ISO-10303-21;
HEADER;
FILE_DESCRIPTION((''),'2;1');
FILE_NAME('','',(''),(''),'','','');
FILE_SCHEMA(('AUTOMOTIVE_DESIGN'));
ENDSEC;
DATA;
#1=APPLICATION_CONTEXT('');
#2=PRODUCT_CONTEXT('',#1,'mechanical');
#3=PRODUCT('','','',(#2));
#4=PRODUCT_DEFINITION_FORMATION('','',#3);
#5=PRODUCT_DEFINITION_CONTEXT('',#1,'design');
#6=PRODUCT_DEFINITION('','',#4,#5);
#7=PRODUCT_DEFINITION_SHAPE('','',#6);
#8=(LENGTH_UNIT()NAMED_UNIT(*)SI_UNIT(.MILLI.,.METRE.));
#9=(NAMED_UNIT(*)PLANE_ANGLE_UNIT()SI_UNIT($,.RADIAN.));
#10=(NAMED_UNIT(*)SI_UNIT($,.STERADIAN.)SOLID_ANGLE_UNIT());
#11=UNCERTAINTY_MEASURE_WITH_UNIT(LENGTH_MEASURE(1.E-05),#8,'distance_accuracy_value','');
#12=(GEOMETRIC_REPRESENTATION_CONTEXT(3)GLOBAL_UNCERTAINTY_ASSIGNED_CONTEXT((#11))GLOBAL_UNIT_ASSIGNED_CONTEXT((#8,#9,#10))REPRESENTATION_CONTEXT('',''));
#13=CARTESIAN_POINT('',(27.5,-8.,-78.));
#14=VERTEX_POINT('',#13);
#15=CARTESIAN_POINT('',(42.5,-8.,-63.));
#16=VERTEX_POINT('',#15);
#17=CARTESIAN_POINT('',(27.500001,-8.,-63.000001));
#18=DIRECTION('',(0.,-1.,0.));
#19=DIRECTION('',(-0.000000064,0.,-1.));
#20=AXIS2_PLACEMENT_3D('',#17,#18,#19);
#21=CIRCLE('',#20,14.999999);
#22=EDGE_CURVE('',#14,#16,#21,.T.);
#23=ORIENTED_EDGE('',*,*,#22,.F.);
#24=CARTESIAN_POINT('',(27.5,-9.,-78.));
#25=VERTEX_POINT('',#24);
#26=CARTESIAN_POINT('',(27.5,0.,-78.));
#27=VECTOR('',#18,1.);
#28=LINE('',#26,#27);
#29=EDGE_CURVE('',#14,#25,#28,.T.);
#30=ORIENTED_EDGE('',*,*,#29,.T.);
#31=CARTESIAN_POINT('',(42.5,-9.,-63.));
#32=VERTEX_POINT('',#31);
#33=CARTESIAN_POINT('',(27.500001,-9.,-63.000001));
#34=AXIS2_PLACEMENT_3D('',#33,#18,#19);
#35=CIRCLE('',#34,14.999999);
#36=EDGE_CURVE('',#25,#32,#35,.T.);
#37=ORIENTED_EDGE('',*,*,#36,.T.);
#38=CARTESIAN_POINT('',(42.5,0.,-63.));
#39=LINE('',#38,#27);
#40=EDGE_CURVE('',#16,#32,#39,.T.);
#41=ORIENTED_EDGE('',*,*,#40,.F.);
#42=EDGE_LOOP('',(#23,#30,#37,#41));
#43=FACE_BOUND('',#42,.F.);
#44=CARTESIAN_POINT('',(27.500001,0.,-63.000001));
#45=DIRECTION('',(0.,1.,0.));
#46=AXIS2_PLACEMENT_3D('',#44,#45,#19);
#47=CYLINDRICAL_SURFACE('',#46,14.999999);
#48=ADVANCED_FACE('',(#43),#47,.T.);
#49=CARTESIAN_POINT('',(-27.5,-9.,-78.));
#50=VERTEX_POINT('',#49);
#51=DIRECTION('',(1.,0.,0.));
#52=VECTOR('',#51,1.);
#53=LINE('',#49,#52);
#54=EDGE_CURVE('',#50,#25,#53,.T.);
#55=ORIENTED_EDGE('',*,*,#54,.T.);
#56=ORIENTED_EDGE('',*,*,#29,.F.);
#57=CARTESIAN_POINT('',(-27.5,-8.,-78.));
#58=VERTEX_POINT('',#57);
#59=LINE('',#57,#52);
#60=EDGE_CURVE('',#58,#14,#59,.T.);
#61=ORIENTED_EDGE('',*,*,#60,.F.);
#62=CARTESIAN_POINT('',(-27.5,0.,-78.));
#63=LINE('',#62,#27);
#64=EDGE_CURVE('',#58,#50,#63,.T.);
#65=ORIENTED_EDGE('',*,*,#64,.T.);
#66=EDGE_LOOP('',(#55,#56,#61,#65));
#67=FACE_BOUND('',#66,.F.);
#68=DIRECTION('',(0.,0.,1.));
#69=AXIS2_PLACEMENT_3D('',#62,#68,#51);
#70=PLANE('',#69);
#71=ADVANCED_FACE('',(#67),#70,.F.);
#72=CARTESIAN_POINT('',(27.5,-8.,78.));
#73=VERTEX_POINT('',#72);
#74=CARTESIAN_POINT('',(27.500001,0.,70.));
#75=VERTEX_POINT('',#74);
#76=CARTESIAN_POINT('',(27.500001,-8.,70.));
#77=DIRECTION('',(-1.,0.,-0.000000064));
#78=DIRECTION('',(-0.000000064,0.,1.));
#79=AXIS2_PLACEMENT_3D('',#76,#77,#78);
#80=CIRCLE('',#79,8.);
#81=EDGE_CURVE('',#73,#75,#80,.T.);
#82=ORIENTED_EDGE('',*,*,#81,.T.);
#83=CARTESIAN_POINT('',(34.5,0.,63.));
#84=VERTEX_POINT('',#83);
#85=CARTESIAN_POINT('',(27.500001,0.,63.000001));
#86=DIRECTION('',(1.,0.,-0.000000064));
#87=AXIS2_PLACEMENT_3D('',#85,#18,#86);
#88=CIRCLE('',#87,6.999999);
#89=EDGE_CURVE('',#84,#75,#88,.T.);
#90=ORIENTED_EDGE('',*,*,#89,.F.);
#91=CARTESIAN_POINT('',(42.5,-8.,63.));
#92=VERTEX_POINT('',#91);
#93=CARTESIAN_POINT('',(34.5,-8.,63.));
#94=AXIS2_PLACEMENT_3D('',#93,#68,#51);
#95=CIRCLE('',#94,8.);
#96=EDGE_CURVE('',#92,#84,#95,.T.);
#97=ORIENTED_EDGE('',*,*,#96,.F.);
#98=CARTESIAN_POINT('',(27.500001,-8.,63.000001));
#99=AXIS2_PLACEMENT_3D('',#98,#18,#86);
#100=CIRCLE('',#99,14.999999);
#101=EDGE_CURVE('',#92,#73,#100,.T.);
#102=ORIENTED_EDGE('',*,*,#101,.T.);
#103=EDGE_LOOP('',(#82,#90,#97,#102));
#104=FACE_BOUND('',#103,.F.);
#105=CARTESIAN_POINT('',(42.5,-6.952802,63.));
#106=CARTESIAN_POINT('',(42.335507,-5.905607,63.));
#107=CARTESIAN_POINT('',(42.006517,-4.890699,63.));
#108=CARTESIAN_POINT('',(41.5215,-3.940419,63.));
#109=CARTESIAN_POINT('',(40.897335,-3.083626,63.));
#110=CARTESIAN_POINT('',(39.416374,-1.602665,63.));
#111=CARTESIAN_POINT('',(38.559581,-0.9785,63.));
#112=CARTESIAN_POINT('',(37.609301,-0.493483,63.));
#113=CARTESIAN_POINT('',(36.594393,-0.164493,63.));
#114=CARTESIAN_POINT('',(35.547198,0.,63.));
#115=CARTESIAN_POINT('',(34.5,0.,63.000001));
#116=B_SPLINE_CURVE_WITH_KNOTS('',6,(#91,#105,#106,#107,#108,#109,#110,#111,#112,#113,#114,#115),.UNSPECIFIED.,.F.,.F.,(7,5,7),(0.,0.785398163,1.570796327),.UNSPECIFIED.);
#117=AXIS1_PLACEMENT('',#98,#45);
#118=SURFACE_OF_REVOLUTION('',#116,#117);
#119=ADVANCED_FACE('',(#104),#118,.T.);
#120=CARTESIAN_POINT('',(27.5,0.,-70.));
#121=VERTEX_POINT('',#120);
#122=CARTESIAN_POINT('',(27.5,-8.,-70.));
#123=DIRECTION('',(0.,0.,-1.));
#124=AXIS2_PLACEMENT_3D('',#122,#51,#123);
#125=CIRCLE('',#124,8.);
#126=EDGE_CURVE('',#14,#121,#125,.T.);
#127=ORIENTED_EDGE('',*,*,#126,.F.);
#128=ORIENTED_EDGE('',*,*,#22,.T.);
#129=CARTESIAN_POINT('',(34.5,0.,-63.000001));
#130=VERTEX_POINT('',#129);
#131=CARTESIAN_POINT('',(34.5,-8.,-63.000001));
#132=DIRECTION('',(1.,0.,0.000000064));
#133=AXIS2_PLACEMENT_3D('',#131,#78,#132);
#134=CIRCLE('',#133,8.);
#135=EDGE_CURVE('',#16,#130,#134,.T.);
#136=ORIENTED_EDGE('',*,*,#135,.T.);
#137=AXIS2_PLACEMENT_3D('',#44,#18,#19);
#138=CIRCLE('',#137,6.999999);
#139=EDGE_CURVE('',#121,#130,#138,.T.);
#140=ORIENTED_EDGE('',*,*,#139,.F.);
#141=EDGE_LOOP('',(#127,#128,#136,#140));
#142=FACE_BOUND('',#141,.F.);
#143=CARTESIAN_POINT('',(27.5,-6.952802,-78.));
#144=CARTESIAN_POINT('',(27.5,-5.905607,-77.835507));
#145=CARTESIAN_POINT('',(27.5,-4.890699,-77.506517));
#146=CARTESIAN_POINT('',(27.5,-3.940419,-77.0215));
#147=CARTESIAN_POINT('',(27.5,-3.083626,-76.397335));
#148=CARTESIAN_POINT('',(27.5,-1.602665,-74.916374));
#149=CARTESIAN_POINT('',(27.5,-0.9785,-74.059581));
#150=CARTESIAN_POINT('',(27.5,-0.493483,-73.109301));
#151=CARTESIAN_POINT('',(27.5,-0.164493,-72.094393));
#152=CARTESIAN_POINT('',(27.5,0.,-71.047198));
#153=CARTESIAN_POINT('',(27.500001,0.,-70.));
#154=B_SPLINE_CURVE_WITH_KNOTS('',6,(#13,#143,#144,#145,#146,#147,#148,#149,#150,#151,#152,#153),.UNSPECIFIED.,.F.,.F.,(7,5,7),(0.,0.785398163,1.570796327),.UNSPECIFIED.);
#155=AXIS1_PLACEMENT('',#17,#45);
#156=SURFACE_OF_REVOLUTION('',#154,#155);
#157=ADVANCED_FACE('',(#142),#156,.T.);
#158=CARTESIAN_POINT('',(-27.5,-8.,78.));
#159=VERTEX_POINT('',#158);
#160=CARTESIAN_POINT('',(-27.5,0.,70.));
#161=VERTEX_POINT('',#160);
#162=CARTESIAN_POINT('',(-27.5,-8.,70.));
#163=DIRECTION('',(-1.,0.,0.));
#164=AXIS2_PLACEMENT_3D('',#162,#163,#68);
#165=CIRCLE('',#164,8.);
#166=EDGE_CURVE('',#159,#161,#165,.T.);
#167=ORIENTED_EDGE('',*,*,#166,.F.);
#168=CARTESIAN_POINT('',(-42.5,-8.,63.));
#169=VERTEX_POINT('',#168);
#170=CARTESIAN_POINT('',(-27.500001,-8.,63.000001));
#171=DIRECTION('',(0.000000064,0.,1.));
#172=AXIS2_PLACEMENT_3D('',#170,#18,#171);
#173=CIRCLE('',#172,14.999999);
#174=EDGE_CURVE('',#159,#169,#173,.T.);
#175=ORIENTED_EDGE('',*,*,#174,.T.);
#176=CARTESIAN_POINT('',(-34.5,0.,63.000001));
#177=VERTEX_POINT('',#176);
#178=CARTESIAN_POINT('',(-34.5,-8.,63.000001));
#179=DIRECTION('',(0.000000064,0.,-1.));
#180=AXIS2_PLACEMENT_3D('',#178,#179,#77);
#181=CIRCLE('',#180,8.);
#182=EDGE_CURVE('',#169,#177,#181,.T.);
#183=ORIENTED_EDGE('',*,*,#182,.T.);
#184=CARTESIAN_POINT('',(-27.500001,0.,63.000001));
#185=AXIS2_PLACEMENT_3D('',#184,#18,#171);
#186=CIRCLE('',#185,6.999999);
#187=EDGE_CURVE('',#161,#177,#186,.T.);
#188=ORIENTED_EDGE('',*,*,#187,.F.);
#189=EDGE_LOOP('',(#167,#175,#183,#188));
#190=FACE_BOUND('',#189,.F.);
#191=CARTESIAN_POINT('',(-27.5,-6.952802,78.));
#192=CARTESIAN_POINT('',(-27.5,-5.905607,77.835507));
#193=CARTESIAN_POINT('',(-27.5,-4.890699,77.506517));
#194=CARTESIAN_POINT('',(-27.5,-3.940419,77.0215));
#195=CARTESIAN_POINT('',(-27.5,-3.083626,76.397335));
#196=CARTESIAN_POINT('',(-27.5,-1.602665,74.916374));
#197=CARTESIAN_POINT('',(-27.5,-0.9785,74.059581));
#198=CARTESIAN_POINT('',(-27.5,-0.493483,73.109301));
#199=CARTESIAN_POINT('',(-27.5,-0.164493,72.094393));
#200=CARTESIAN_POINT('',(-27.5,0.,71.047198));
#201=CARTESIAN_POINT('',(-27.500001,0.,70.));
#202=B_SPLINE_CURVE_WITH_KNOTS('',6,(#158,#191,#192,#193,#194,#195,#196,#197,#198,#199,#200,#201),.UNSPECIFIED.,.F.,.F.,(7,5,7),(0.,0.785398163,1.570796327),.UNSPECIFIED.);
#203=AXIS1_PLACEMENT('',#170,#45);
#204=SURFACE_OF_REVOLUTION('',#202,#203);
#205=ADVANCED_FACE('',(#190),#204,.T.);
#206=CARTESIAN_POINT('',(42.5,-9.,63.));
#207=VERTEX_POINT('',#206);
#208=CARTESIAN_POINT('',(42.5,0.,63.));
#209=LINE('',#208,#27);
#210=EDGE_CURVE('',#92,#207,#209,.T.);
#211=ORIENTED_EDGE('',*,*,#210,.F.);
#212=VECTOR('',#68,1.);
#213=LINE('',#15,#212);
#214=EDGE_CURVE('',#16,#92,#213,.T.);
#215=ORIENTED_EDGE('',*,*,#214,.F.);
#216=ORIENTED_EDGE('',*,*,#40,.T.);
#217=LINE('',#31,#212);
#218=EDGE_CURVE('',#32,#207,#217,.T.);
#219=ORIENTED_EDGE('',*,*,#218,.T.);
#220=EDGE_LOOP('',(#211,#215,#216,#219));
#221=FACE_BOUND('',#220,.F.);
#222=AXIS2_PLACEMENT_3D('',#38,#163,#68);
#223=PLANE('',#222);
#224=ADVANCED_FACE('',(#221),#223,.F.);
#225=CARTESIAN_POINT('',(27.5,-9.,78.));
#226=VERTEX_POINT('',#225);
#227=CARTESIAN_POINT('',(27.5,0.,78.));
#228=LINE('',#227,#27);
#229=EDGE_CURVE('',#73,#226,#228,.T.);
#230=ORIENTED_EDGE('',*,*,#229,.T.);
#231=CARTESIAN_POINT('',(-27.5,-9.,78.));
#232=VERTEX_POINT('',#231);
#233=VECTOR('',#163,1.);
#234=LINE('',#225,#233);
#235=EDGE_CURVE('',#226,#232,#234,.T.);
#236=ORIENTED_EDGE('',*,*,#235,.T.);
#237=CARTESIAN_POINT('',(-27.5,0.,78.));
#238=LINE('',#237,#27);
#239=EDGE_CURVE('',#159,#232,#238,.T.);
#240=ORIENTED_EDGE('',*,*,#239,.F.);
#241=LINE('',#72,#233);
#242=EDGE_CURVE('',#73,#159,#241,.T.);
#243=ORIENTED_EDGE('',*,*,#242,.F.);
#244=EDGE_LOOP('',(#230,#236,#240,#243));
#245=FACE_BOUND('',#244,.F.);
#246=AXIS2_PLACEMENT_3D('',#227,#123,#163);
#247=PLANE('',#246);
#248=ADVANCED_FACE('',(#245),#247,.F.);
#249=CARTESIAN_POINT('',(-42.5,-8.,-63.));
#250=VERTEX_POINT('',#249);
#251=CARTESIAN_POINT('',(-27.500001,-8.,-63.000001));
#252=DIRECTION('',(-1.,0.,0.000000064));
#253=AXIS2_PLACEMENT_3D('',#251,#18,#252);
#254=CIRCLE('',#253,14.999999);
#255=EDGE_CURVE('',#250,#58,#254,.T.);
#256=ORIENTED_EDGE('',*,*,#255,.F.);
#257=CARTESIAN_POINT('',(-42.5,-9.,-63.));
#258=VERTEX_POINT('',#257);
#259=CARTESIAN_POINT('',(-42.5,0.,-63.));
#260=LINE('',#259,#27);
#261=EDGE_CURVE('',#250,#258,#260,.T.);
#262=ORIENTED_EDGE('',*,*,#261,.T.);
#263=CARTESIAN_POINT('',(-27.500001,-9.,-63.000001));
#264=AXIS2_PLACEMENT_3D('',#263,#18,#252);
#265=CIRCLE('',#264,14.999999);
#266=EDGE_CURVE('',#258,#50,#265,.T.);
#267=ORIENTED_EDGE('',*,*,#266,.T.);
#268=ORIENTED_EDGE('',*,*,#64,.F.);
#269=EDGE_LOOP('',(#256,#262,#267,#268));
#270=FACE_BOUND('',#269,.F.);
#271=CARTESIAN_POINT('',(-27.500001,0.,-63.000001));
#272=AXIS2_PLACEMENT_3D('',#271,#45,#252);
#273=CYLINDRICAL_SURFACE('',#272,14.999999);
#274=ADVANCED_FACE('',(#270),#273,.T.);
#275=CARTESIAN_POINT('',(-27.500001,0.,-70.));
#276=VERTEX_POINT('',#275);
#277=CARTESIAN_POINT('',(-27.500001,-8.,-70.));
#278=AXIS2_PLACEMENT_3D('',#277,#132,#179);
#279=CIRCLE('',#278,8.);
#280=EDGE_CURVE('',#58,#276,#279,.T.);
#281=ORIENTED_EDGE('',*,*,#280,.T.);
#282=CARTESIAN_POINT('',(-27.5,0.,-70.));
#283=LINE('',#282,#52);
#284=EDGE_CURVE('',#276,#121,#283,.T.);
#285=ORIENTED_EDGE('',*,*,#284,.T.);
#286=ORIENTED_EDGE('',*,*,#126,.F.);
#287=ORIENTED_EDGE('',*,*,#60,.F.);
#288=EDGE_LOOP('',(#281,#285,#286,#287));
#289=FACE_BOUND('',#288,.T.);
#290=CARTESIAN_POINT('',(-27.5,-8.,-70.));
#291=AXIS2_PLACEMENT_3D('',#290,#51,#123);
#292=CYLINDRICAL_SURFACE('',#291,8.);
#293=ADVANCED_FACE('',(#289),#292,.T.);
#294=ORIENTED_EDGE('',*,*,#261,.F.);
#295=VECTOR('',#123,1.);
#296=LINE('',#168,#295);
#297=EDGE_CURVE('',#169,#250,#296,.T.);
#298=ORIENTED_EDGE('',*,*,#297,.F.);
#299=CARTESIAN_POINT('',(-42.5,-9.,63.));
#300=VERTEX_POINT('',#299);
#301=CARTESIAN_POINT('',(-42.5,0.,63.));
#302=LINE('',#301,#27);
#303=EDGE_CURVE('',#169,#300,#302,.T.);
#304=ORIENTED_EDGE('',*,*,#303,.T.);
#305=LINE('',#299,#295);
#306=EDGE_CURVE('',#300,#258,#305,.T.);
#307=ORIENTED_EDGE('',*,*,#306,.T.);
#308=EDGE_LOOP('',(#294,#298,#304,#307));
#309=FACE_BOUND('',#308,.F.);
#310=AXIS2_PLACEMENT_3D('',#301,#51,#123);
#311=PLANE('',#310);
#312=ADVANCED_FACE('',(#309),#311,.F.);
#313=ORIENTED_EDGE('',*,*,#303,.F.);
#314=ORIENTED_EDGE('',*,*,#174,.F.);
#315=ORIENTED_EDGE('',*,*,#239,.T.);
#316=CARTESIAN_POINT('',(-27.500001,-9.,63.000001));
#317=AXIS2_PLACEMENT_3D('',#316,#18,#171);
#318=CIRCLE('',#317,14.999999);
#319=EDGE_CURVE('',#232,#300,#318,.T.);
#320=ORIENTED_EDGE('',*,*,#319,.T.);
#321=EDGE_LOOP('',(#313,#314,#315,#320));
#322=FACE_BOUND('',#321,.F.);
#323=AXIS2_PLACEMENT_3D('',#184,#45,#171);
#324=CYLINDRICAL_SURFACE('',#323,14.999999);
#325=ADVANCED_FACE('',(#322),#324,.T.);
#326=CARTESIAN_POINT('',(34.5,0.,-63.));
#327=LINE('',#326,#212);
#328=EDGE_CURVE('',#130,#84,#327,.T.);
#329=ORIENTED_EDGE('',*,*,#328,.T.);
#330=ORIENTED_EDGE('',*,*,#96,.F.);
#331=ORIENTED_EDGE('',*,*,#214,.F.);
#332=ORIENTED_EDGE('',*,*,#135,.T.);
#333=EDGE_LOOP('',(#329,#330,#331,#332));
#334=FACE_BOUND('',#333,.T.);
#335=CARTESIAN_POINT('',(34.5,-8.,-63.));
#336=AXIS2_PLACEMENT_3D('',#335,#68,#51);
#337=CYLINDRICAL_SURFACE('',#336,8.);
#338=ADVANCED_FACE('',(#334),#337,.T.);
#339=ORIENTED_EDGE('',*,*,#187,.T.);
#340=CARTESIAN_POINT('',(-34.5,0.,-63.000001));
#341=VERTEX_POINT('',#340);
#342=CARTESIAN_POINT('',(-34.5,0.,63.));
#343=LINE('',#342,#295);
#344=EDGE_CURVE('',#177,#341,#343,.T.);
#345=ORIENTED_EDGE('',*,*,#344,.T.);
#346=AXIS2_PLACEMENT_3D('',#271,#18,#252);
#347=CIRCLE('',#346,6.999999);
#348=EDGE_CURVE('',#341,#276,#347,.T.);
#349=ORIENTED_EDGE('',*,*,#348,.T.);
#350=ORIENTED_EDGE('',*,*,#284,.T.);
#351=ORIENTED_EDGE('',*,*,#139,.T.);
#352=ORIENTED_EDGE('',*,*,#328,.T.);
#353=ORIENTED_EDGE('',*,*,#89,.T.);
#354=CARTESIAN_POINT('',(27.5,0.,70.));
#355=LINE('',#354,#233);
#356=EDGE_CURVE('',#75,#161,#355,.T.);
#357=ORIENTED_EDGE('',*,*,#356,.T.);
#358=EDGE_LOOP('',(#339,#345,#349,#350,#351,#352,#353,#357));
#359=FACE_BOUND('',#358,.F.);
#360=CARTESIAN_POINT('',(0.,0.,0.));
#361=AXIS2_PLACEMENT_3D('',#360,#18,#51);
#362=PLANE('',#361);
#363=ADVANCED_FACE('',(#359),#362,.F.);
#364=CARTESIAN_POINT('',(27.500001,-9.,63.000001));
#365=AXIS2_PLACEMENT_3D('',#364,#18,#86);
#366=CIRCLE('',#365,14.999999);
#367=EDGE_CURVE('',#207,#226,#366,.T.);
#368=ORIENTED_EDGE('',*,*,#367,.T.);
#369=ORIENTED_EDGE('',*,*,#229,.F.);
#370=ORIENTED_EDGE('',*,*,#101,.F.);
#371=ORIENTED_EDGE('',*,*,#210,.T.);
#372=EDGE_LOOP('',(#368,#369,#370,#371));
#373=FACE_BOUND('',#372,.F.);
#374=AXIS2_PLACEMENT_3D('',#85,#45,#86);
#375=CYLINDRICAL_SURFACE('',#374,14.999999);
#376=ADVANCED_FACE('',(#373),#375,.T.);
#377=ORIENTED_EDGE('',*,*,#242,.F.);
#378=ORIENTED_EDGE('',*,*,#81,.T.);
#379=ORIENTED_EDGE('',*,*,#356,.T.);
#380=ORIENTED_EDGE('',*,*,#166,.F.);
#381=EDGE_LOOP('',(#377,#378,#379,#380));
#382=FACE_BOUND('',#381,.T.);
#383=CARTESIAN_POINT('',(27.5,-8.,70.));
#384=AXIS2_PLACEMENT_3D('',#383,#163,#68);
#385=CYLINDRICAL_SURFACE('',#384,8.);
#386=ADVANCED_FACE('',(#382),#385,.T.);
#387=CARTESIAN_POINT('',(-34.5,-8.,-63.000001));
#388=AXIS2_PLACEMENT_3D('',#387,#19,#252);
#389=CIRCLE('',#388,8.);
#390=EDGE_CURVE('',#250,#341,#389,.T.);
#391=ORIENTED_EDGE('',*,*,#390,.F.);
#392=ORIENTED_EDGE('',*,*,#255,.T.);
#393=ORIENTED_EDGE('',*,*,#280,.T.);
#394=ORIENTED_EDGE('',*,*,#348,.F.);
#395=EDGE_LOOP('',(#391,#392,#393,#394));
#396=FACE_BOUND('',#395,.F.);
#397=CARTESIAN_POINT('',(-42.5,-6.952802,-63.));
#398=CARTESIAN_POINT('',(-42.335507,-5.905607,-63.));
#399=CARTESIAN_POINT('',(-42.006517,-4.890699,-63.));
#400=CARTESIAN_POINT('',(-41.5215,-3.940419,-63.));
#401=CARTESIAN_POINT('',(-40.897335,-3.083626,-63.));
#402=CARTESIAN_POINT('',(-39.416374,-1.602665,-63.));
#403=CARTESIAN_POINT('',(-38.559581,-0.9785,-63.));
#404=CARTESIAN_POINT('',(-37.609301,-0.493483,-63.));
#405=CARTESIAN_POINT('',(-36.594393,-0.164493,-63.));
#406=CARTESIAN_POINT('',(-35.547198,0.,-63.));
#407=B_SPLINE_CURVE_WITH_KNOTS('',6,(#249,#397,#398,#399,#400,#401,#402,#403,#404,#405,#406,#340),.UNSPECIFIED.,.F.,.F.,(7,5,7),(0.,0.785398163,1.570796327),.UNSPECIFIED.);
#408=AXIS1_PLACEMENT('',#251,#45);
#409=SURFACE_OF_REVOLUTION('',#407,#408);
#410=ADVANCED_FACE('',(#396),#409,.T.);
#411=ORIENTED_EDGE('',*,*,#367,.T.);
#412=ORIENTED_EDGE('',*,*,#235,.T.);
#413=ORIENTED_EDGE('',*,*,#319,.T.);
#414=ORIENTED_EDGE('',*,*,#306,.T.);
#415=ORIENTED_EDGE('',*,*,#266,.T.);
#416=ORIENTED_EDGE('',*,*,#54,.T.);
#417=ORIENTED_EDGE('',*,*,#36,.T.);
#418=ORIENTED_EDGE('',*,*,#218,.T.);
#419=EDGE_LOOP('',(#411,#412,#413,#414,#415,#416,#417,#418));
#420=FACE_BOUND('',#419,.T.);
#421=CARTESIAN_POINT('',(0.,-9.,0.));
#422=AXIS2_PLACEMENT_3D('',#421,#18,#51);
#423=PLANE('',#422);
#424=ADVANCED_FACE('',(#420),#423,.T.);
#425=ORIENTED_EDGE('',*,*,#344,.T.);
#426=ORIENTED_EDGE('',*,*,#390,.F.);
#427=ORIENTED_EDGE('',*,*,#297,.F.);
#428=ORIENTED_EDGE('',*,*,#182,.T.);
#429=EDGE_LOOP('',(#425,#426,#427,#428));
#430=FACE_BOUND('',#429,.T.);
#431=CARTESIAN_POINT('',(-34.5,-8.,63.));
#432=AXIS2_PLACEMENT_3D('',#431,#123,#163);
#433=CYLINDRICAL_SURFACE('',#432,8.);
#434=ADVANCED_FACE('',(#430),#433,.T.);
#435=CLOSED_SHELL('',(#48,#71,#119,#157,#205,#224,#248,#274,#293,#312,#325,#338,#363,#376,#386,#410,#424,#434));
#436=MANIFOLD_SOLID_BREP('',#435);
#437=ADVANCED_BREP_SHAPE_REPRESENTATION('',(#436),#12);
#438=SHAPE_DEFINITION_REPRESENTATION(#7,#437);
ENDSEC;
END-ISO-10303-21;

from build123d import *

# Parameters (mm, degrees)
F1_DEPTH = 9
F2_R     = 8


with BuildPart() as f1:
    # F0 (on Front) → F1 (new body)
    with BuildSketch(Plane.XZ):
        with BuildLine():
            ThreePointArc((-42.5, -63), (-38.106602, -73.606602), (-27.5, -78))
            Line((-27.5, -78), (27.5, -78))
            ThreePointArc((27.5, -78), (38.106602, -73.606602), (42.5, -63))
            Line((42.5, -63), (42.5, 63))
            ThreePointArc((42.5, 63), (38.106602, 73.606602), (27.5, 78))
            Line((27.5, 78), (-27.5, 78))
            ThreePointArc((-27.5, 78), (-38.106602, 73.606602), (-42.5, 63))
            Line((-42.5, 63), (-42.5, -63))
        make_face()
    extrude(amount=F1_DEPTH)

    # F2
    f2_edges = [f1.edges().sort_by_distance(p)[0] for p in [
        (-38.106602, 0, -73.606602),
        (0, 0, -78),
        (38.106602, 0, -73.606602),
        (42.5, 0, 0),
        (38.106602, 0, 73.606602),
        (0, 0, 78),
        (-38.106602, 0, 73.606602),
        (-42.5, 0, 0),
    ]]
    fillet(f2_edges, radius=F2_R)


solid = f1.part
